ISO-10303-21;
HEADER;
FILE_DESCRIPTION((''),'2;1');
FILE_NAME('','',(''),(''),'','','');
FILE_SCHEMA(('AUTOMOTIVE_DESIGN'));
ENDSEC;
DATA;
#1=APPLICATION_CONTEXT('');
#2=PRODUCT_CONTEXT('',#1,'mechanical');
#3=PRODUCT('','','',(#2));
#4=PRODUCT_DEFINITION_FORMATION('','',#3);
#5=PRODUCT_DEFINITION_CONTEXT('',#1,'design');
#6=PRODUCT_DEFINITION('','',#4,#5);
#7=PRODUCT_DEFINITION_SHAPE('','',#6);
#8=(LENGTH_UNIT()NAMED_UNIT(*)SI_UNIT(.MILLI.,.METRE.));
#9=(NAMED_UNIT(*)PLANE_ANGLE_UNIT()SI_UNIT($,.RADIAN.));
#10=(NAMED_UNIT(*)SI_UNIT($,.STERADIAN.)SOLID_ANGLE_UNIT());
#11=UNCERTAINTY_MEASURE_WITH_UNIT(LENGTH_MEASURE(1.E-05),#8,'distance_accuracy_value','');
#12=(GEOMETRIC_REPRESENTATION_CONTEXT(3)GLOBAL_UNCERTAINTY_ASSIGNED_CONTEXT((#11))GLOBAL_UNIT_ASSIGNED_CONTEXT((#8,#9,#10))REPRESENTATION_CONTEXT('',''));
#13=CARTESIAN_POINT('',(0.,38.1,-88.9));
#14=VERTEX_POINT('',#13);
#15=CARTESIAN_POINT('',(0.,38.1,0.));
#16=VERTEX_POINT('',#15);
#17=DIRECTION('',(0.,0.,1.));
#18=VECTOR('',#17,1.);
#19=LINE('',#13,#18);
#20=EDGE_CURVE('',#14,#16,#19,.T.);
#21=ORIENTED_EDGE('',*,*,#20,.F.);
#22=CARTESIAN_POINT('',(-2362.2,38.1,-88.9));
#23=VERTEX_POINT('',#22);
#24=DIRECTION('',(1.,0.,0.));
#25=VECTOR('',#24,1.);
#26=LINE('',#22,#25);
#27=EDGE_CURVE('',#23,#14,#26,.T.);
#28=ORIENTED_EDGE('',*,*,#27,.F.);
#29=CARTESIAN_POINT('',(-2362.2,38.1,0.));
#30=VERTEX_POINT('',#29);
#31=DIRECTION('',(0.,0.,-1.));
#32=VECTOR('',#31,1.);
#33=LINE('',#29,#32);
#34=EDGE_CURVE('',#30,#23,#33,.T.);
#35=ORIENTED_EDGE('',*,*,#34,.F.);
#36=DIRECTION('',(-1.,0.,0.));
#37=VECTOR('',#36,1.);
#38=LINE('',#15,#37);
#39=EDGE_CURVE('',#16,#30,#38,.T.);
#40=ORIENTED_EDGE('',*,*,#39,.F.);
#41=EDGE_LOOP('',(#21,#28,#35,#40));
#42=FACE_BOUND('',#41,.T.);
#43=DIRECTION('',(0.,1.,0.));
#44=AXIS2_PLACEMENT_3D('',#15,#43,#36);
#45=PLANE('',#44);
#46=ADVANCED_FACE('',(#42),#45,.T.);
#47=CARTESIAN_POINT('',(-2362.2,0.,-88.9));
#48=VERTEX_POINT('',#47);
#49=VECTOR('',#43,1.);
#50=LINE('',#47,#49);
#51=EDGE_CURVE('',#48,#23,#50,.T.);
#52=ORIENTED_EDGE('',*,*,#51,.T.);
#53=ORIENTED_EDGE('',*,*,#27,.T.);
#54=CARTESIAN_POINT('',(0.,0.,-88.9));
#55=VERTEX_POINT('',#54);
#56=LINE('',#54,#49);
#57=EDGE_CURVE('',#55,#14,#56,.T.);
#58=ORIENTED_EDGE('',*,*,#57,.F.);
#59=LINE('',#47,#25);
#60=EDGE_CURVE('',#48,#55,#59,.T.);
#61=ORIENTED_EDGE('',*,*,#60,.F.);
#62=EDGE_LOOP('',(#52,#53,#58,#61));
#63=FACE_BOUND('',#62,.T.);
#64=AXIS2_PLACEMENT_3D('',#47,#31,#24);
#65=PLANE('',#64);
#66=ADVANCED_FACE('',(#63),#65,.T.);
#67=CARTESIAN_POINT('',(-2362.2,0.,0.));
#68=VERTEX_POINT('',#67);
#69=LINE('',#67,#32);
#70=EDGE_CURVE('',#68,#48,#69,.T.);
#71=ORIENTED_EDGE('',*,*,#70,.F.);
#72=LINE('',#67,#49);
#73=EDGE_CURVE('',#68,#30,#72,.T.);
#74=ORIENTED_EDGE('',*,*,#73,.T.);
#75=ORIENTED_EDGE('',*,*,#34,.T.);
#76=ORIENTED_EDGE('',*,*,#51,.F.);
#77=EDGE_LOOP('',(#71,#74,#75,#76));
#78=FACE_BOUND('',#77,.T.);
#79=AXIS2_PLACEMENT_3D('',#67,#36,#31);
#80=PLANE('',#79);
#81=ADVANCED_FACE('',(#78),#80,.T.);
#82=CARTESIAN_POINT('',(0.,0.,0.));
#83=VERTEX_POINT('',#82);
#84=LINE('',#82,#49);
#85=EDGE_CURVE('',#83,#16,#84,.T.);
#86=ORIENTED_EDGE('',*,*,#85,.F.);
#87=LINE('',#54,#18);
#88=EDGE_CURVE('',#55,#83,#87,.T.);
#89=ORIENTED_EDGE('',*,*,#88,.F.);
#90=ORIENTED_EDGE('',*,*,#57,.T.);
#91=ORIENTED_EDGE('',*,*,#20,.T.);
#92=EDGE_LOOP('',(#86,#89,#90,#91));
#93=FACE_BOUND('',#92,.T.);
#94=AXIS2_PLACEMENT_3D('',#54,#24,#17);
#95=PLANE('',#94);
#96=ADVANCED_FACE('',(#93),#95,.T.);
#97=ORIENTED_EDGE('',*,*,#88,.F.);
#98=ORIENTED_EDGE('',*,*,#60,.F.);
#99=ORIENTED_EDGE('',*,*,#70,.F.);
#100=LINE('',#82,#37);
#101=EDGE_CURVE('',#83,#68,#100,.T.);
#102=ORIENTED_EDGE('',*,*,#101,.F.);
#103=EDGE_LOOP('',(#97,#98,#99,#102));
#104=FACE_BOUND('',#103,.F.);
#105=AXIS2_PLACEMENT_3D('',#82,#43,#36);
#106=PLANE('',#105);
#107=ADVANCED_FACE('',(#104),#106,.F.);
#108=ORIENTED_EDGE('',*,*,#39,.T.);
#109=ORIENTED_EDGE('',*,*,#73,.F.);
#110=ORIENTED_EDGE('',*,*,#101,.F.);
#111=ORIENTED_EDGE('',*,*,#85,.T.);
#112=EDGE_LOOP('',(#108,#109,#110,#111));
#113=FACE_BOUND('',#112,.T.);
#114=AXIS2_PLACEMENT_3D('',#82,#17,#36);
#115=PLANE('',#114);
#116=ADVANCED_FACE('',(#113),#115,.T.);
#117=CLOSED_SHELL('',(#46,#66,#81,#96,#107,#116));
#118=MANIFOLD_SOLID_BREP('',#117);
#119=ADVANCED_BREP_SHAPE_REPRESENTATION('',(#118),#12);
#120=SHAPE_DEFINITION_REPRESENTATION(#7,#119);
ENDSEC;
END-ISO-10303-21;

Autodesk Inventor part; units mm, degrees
ref_plane "YZ Plane" through (0, 0, 0) normal (1, 0, 0) x (0, 1, 0)
ref_plane "XZ Plane" through (0, 0, 0) normal (0, 1, 0) x (-1, 0, 0)
ref_plane "XY Plane" through (0, 0, 0) normal (0, 0, 1) x (1, 0, 0)
sketch "Sketch1" plane through (0, 0, 0) normal (0, 1, 0) x (-1, 0, 0)
  line L0 (0, 0) -> (2362.2, 0)
  line L1 (2362.2, 0) -> (2362.2, -88.9)
  line L2 (2362.2, -88.9) -> (0, -88.9)
  line L3 (0, -88.9) -> (0, 0)
  dimension "d0" = 2362.2
  dimension "d1" = 88.9
extrude "Extrusion1" add sketch "Sketch1" along normal blind 38.1
properties part number "7'9''x2x4"
